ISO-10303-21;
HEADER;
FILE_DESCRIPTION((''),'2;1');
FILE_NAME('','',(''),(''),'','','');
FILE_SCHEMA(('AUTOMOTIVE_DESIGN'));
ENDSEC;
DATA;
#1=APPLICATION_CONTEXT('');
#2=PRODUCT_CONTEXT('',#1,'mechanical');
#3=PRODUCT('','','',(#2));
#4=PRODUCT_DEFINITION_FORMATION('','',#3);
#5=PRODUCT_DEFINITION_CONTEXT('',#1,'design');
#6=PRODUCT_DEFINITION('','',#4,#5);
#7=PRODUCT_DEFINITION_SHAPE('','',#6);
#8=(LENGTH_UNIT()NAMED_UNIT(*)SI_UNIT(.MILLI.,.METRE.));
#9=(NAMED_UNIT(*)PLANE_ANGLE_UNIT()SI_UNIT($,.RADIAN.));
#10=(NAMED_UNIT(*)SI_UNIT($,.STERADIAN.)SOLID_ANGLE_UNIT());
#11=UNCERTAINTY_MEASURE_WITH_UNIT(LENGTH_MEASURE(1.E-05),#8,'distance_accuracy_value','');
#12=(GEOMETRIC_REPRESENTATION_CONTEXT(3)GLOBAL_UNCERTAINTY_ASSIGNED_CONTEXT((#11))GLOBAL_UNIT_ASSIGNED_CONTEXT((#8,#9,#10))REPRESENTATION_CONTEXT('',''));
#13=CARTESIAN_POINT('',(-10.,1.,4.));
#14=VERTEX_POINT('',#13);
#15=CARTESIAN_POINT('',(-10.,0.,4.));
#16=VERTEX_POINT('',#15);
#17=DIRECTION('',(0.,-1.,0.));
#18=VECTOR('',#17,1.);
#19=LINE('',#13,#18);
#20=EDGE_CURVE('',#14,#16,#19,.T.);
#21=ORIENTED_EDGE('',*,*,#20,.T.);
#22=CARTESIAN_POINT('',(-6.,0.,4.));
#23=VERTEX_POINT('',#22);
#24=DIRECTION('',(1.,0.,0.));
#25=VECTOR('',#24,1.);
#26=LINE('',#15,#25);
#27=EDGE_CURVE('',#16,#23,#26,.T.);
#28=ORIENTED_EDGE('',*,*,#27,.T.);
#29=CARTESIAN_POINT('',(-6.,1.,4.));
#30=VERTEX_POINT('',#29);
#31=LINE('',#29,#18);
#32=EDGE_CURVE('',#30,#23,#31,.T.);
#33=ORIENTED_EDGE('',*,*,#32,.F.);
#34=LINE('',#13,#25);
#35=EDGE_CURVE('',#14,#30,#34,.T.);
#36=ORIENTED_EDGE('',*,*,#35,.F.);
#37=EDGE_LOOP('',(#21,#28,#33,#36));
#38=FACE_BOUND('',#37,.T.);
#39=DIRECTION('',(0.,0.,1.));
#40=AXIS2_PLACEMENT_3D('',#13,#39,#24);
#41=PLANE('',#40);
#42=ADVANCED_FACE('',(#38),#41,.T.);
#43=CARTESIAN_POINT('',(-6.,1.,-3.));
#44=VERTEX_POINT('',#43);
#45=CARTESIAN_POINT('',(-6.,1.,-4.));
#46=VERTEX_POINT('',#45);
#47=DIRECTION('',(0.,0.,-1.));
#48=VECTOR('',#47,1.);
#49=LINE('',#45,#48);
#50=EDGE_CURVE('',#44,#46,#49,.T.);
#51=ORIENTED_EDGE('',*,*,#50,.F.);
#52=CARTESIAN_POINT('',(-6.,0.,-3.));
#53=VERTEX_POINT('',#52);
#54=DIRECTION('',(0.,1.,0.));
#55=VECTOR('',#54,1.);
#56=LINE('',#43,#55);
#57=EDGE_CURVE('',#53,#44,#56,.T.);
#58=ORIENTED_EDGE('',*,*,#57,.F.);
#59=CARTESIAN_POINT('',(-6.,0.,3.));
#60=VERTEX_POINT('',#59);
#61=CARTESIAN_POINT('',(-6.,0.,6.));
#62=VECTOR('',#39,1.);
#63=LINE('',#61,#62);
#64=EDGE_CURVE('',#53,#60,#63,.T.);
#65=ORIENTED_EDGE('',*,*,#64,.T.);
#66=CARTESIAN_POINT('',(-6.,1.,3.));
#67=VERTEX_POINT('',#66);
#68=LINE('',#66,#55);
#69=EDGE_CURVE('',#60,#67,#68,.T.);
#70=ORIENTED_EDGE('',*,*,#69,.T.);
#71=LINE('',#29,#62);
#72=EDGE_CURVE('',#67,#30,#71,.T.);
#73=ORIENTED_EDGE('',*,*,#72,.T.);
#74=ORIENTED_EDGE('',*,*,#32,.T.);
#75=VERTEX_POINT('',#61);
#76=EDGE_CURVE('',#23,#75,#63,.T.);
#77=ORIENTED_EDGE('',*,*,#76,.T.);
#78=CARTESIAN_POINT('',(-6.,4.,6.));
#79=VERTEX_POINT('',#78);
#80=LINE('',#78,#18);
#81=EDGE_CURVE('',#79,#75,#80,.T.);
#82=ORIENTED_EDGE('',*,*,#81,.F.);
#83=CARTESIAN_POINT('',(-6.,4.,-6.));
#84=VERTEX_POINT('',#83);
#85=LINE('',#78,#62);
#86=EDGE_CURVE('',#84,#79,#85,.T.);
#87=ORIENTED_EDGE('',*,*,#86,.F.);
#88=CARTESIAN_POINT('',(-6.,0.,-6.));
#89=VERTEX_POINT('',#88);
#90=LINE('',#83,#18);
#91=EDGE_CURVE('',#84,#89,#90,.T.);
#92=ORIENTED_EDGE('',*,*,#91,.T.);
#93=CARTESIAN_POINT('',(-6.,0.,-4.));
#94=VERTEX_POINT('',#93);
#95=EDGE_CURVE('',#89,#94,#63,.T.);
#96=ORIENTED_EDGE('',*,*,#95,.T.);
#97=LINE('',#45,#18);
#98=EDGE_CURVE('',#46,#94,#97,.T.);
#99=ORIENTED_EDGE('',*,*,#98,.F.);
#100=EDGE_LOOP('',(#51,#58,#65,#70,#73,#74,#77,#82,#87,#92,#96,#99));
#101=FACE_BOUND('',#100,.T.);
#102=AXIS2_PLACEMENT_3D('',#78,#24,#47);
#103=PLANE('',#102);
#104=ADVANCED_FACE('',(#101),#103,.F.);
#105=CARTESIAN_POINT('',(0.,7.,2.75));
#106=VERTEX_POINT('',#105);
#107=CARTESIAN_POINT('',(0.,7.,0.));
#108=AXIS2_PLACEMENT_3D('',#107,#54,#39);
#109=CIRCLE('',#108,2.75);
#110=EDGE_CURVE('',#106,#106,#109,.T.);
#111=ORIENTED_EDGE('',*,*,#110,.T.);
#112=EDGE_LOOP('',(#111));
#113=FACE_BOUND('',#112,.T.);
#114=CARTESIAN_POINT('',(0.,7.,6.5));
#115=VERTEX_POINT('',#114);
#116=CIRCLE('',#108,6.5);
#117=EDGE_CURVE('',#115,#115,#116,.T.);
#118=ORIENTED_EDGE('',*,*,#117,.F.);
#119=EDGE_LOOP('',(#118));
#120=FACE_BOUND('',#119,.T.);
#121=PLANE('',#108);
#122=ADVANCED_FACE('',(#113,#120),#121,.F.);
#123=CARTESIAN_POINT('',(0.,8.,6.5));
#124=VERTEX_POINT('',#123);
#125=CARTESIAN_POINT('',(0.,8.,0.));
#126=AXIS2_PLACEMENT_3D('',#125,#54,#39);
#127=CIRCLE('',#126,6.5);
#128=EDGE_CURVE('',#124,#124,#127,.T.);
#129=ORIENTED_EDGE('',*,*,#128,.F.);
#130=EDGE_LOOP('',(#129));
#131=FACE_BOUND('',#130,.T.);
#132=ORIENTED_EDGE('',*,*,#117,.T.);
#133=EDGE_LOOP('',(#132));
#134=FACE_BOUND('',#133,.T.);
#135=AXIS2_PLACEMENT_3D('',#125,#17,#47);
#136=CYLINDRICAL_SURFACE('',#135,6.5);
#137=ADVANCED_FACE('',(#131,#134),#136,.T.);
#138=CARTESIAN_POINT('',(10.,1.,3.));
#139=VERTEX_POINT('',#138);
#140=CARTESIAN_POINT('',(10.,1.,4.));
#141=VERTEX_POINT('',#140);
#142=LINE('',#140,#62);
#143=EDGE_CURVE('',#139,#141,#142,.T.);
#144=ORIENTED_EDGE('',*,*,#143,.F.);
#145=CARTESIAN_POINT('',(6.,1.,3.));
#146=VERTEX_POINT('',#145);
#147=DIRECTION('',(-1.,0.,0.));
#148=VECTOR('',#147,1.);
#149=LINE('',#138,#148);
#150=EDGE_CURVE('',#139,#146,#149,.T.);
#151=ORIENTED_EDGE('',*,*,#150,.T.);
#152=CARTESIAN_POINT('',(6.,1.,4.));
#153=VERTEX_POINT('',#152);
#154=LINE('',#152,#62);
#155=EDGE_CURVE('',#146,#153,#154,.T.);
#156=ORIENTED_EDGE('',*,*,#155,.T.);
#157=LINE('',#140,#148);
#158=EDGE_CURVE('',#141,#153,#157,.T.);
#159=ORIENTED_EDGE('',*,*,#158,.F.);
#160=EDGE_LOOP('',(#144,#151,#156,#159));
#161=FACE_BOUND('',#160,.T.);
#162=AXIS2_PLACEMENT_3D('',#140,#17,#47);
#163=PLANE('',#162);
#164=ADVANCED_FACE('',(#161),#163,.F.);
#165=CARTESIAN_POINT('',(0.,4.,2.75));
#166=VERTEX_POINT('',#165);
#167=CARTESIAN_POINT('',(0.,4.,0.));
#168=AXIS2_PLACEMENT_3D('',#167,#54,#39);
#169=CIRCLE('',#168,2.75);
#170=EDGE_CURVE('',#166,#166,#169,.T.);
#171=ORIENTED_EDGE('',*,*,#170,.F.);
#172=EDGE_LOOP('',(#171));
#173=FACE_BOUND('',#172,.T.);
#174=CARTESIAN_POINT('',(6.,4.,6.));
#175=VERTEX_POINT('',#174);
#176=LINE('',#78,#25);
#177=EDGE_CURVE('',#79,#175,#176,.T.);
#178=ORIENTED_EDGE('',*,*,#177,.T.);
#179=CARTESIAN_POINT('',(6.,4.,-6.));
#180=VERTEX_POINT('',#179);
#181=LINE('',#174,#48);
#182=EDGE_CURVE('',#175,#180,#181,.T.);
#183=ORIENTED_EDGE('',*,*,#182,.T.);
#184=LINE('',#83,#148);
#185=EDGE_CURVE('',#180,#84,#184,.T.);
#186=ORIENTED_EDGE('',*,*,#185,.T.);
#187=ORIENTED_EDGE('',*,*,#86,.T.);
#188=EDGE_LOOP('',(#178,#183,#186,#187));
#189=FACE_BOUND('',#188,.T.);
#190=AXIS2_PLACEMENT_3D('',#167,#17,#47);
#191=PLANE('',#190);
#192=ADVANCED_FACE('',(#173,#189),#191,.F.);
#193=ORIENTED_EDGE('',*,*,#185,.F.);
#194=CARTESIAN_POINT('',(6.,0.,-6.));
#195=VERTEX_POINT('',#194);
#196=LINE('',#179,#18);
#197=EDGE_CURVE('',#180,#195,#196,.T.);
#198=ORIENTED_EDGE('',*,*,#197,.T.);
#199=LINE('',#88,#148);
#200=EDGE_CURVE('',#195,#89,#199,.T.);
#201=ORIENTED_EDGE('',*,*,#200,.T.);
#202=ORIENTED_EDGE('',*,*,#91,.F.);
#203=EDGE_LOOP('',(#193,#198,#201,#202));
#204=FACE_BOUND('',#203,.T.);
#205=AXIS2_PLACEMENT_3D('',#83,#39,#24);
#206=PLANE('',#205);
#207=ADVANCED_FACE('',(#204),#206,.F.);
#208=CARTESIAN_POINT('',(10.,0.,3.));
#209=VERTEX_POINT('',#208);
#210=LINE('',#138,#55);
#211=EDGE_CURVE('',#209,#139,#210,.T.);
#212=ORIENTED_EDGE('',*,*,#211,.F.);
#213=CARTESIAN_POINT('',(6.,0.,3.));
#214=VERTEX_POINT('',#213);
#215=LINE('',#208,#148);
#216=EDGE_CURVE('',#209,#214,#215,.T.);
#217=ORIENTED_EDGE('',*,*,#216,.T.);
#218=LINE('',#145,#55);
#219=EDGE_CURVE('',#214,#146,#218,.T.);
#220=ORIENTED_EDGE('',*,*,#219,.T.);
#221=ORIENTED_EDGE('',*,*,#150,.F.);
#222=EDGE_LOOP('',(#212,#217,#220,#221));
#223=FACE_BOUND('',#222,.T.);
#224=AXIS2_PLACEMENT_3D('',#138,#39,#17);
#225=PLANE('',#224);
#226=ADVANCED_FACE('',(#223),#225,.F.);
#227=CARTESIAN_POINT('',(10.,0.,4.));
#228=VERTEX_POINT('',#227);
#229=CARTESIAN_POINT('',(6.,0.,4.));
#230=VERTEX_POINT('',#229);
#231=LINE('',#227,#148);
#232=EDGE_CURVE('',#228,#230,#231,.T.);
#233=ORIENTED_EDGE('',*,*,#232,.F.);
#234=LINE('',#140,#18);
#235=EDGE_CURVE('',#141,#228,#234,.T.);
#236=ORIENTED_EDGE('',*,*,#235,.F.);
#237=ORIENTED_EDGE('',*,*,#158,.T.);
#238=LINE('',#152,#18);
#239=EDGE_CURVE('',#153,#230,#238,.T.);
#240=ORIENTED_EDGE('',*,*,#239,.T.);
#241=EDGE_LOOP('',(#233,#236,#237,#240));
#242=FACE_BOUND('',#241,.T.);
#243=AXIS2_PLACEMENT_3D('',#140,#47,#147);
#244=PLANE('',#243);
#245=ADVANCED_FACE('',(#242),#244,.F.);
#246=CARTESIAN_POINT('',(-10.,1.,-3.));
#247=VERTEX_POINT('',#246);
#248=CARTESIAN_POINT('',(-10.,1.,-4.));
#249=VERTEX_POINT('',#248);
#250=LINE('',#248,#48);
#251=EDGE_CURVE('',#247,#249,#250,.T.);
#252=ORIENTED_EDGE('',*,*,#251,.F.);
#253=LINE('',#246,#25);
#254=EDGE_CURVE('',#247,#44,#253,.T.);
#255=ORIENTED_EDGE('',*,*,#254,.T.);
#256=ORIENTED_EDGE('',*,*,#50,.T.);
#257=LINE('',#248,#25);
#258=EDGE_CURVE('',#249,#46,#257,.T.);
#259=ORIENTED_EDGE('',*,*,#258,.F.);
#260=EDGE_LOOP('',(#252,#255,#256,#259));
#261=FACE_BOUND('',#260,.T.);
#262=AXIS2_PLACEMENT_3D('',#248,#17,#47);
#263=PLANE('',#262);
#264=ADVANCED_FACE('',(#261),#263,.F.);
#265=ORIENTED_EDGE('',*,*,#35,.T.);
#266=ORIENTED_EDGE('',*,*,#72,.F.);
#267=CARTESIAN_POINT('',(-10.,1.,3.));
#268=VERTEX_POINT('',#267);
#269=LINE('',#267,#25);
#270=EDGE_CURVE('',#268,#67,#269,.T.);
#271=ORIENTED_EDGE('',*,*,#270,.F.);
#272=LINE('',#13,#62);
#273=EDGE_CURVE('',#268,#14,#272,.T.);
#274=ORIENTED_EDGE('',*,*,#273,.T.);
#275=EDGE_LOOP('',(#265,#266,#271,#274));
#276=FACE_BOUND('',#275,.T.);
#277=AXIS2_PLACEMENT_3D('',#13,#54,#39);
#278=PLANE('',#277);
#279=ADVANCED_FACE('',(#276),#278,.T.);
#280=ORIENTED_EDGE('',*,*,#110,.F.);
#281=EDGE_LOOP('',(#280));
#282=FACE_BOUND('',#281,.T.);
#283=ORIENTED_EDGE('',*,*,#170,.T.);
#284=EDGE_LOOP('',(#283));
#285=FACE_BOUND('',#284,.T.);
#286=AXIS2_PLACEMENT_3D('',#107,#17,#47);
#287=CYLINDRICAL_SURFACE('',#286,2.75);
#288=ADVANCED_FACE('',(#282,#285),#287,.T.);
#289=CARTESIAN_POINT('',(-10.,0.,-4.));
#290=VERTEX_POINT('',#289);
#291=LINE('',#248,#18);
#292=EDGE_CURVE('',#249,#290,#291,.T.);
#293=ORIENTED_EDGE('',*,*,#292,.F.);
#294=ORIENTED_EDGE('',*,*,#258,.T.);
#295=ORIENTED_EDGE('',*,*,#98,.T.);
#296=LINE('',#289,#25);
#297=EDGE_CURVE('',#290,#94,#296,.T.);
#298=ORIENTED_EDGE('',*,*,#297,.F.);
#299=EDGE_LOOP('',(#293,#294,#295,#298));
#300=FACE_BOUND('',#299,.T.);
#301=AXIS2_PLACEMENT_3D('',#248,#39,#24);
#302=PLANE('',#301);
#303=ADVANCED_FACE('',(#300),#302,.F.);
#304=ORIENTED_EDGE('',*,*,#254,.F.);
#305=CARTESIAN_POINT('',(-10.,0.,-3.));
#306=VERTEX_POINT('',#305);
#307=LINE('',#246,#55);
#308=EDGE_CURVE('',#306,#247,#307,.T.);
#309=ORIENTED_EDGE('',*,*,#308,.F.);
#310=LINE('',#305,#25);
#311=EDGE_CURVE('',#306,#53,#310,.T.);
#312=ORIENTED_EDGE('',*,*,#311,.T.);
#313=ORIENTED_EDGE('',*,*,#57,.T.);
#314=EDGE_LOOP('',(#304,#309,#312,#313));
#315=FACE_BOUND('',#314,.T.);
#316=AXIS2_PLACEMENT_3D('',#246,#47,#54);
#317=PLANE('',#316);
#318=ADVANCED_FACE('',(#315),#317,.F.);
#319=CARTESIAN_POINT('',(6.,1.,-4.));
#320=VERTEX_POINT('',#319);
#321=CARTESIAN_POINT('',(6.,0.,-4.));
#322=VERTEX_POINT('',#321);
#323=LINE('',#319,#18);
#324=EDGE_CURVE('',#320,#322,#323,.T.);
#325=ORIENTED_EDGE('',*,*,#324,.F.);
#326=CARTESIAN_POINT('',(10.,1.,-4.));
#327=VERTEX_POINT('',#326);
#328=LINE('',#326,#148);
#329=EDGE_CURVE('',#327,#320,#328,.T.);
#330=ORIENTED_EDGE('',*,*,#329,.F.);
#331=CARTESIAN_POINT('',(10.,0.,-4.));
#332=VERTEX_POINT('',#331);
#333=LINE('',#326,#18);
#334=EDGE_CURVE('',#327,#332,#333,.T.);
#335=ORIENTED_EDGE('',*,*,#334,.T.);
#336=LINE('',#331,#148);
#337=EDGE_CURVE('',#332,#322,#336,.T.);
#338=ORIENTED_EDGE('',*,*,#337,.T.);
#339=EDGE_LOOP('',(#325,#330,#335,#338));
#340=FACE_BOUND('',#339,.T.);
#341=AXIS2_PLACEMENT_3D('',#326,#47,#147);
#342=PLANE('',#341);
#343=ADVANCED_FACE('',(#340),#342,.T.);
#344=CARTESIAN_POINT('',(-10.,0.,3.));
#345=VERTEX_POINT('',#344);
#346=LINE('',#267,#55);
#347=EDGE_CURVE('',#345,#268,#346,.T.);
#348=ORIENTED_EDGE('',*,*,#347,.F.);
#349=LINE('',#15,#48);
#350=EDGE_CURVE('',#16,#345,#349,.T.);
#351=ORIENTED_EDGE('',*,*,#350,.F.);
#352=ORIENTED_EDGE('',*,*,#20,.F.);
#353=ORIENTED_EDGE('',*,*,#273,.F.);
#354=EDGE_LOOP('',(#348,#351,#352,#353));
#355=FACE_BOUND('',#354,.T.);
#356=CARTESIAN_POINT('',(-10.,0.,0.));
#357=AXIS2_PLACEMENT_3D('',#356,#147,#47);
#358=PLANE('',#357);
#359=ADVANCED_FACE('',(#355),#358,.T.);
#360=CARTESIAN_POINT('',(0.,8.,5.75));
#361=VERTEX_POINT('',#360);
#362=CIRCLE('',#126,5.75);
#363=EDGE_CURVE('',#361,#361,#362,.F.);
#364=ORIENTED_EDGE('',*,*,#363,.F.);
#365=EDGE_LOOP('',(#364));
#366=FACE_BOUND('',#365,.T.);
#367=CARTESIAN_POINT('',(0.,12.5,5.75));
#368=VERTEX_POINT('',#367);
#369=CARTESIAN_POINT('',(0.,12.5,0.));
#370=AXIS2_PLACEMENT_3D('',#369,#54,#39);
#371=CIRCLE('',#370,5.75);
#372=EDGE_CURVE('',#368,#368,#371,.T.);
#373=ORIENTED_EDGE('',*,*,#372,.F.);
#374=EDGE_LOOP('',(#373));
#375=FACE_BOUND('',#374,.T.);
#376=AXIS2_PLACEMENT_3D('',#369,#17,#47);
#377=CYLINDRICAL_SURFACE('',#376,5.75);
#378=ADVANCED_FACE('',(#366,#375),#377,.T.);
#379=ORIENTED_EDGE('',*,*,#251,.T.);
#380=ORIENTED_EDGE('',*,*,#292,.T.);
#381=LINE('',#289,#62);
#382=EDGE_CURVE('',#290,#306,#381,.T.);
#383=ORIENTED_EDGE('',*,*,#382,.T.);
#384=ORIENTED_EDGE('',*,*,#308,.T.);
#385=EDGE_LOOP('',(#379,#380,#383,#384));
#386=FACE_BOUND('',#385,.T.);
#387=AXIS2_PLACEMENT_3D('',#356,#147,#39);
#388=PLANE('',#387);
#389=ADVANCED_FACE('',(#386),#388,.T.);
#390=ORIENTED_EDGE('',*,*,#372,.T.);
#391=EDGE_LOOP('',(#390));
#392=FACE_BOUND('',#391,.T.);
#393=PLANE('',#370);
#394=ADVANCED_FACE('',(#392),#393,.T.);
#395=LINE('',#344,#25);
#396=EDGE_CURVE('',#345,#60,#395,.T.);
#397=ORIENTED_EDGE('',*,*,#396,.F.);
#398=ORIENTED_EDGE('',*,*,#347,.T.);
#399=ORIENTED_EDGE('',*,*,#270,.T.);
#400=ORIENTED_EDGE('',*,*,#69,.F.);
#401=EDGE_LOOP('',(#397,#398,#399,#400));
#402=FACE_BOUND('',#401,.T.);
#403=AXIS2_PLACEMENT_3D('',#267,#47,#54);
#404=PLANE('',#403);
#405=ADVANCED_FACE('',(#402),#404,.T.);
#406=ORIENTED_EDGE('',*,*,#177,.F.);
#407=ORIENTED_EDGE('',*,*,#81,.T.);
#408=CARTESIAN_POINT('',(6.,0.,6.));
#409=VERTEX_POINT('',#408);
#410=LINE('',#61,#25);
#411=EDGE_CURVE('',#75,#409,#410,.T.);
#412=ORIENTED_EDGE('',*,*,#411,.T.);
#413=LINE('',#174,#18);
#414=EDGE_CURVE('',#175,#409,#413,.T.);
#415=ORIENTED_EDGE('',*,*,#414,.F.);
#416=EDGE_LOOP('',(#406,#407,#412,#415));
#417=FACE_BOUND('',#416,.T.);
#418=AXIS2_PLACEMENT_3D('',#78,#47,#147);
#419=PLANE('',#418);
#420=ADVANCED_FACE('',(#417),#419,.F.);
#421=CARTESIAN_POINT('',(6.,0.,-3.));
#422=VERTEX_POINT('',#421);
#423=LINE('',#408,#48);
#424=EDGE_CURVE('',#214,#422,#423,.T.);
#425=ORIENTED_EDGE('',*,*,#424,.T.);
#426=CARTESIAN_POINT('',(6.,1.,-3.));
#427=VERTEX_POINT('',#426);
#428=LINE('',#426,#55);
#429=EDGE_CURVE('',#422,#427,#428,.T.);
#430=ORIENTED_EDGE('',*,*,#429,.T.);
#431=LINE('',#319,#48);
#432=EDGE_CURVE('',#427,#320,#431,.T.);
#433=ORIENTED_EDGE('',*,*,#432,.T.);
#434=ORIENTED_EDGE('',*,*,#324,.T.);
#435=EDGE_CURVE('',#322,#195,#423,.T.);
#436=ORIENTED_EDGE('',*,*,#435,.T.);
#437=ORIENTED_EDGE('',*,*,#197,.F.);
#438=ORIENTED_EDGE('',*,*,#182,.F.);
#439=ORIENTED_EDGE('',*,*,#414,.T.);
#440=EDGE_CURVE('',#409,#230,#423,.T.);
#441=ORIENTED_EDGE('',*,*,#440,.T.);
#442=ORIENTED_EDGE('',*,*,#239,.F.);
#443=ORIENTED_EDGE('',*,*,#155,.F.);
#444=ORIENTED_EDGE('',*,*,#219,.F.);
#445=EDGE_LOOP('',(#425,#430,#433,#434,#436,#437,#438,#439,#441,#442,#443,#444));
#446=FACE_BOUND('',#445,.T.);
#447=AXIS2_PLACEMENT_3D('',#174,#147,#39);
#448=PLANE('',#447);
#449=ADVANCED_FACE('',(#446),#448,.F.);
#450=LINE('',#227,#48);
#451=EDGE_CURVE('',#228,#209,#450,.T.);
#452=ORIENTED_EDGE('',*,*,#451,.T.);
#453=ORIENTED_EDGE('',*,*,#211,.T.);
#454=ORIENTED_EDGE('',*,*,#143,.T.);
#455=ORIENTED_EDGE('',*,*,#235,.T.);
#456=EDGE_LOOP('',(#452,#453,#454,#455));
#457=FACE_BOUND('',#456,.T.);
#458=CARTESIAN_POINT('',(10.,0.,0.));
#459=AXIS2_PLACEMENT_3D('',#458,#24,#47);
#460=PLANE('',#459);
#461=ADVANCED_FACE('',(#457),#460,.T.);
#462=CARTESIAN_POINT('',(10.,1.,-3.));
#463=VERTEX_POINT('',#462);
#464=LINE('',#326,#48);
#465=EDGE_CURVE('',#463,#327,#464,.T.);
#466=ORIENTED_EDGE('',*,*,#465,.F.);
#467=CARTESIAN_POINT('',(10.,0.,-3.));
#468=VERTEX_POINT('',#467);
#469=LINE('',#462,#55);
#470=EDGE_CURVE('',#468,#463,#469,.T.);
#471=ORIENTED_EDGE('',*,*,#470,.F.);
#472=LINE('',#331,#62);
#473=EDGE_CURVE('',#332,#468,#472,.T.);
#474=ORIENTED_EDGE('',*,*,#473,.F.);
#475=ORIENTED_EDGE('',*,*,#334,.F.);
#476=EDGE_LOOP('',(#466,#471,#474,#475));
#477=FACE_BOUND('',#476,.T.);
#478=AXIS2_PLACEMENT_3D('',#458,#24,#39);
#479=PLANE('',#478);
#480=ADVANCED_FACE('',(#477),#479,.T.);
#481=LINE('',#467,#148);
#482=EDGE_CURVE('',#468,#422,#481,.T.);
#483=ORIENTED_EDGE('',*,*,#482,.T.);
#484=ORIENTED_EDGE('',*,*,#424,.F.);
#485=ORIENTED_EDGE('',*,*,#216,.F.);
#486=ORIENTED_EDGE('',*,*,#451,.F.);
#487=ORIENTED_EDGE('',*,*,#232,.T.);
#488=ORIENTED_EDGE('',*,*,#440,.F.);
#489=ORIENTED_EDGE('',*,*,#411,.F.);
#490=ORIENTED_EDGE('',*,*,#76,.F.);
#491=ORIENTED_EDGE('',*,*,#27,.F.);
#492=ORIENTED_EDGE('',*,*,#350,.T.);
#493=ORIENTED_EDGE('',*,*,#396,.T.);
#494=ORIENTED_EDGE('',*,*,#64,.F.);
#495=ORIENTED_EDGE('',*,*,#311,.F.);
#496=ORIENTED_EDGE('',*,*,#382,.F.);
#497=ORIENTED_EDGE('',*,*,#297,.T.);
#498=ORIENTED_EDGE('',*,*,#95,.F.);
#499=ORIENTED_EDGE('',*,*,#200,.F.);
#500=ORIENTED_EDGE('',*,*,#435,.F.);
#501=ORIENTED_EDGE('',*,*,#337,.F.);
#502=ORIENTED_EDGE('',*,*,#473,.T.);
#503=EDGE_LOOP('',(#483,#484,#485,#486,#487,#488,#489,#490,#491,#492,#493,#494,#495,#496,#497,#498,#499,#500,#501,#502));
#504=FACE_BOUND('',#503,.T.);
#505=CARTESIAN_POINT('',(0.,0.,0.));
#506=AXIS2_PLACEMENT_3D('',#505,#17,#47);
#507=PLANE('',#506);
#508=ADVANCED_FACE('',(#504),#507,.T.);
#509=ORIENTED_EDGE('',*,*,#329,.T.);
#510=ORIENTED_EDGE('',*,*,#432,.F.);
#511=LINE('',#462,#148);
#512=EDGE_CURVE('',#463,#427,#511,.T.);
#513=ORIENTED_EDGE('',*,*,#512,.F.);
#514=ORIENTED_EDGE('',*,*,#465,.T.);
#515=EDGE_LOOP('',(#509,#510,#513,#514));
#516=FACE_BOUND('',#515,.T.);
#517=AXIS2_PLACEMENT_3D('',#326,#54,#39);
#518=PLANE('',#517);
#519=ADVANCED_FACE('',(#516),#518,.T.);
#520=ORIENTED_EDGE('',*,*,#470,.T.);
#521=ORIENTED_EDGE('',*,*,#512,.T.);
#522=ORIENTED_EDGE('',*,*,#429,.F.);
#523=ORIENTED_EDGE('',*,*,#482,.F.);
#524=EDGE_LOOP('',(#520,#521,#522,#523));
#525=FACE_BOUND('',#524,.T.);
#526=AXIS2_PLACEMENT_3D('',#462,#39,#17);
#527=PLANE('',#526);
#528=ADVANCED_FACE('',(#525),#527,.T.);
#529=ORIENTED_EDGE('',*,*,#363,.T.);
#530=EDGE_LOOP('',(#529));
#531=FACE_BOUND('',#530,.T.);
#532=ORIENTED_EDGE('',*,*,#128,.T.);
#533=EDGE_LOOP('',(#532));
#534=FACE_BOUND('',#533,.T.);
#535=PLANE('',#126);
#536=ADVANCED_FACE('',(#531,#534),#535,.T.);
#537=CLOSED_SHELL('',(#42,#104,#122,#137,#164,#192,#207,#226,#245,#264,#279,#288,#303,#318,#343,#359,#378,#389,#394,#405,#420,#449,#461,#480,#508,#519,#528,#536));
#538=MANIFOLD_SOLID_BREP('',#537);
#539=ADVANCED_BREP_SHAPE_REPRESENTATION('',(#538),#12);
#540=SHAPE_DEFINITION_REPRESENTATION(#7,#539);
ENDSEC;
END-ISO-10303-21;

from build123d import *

# Parameters (mm, degrees)
SKETCH1_W               = 12
SKETCH1_H               = 12
BOSS_EXTRUDE1_DEPTH     = 4
SKETCH2_R               = 2.75
BOSS_EXTRUDE2_DEPTH     = 3
SKETCH3_R               = 6.5
BOSS_EXTRUDE3_DEPTH     = 1
BOSS_EXTRUDE4_START     = -1
SKETCH4_R               = 5.75
BOSS_EXTRUDE4_DEPTH     = 5.5
SKETCH5_W               = 1
SKETCH5_H               = 1
BOSS_EXTRUDE5_DEPTH     = 4
MIRROR2_COPY_1_SKETCH_W = 1
MIRROR2_COPY_1_SKETCH_H = 1
MIRROR2_COPY_1_DEPTH    = 4


with BuildPart() as part:
    # Sketch1 → Boss-Extrude1 (new body)
    with BuildSketch(Plane(origin=(0, 0, 0), x_dir=(1, 0, 0), z_dir=(0, 1, 0))):
        Rectangle(SKETCH1_W, SKETCH1_H)
    extrude(amount=BOSS_EXTRUDE1_DEPTH)

    # Sketch2 → Boss-Extrude2 (add)
    with BuildSketch(Plane(origin=(0, 4, 0), x_dir=(1, 0, 0), z_dir=(0, 1, 0))):
        with Locations(Location((0, 0, 0), (0, 0, 270))):
            Circle(SKETCH2_R)
    extrude(amount=BOSS_EXTRUDE2_DEPTH)

    # Sketch3 → Boss-Extrude3 (add)
    with BuildSketch(Plane(origin=(0, 7, 0), x_dir=(1, 0, 0), z_dir=(0, 1, 0))):
        with Locations(Location((0, 0, 0), (0, 0, 270))):
            Circle(SKETCH3_R)
    extrude(amount=BOSS_EXTRUDE3_DEPTH)

    # Sketch4 → Boss-Extrude4 (add)
    with BuildSketch(Plane(origin=(0, 8, 0), x_dir=(1, 0, 0), z_dir=(0, 1, 0)).offset(BOSS_EXTRUDE4_START)):
        with Locations(Location((0, 0, 0), (0, 0, 270))):
            Circle(SKETCH4_R)
    extrude(amount=BOSS_EXTRUDE4_DEPTH)

    # Sketch5 → Boss-Extrude5 (add)
    with BuildSketch(Plane(origin=(6, 0, 0), x_dir=(0, 0, -1), z_dir=(1, 0, 0))):
        with Locations((-3.5, 0.5)):
            Rectangle(SKETCH5_W, SKETCH5_H)
    boss_extrude5 = extrude(amount=BOSS_EXTRUDE5_DEPTH)

    # Mirror1: Boss-Extrude5 across plane
    add(boss_extrude5.mirror(Plane.XY))

    # Mirror2: Boss-Extrude5 across plane
    add(boss_extrude5.mirror(Plane(origin=(0, 0, 0), x_dir=(0, 0, 1), z_dir=(1, 0, 0))))

    # Mirror2 copy 1 sketch → Mirror2 copy 1 (add)
    with BuildSketch(Plane.ZY.offset(6)):
        with Locations((-3.5, 0.5)):
            Rectangle(MIRROR2_COPY_1_SKETCH_W, MIRROR2_COPY_1_SKETCH_H)
    extrude(amount=MIRROR2_COPY_1_DEPTH)


solid = part.part
